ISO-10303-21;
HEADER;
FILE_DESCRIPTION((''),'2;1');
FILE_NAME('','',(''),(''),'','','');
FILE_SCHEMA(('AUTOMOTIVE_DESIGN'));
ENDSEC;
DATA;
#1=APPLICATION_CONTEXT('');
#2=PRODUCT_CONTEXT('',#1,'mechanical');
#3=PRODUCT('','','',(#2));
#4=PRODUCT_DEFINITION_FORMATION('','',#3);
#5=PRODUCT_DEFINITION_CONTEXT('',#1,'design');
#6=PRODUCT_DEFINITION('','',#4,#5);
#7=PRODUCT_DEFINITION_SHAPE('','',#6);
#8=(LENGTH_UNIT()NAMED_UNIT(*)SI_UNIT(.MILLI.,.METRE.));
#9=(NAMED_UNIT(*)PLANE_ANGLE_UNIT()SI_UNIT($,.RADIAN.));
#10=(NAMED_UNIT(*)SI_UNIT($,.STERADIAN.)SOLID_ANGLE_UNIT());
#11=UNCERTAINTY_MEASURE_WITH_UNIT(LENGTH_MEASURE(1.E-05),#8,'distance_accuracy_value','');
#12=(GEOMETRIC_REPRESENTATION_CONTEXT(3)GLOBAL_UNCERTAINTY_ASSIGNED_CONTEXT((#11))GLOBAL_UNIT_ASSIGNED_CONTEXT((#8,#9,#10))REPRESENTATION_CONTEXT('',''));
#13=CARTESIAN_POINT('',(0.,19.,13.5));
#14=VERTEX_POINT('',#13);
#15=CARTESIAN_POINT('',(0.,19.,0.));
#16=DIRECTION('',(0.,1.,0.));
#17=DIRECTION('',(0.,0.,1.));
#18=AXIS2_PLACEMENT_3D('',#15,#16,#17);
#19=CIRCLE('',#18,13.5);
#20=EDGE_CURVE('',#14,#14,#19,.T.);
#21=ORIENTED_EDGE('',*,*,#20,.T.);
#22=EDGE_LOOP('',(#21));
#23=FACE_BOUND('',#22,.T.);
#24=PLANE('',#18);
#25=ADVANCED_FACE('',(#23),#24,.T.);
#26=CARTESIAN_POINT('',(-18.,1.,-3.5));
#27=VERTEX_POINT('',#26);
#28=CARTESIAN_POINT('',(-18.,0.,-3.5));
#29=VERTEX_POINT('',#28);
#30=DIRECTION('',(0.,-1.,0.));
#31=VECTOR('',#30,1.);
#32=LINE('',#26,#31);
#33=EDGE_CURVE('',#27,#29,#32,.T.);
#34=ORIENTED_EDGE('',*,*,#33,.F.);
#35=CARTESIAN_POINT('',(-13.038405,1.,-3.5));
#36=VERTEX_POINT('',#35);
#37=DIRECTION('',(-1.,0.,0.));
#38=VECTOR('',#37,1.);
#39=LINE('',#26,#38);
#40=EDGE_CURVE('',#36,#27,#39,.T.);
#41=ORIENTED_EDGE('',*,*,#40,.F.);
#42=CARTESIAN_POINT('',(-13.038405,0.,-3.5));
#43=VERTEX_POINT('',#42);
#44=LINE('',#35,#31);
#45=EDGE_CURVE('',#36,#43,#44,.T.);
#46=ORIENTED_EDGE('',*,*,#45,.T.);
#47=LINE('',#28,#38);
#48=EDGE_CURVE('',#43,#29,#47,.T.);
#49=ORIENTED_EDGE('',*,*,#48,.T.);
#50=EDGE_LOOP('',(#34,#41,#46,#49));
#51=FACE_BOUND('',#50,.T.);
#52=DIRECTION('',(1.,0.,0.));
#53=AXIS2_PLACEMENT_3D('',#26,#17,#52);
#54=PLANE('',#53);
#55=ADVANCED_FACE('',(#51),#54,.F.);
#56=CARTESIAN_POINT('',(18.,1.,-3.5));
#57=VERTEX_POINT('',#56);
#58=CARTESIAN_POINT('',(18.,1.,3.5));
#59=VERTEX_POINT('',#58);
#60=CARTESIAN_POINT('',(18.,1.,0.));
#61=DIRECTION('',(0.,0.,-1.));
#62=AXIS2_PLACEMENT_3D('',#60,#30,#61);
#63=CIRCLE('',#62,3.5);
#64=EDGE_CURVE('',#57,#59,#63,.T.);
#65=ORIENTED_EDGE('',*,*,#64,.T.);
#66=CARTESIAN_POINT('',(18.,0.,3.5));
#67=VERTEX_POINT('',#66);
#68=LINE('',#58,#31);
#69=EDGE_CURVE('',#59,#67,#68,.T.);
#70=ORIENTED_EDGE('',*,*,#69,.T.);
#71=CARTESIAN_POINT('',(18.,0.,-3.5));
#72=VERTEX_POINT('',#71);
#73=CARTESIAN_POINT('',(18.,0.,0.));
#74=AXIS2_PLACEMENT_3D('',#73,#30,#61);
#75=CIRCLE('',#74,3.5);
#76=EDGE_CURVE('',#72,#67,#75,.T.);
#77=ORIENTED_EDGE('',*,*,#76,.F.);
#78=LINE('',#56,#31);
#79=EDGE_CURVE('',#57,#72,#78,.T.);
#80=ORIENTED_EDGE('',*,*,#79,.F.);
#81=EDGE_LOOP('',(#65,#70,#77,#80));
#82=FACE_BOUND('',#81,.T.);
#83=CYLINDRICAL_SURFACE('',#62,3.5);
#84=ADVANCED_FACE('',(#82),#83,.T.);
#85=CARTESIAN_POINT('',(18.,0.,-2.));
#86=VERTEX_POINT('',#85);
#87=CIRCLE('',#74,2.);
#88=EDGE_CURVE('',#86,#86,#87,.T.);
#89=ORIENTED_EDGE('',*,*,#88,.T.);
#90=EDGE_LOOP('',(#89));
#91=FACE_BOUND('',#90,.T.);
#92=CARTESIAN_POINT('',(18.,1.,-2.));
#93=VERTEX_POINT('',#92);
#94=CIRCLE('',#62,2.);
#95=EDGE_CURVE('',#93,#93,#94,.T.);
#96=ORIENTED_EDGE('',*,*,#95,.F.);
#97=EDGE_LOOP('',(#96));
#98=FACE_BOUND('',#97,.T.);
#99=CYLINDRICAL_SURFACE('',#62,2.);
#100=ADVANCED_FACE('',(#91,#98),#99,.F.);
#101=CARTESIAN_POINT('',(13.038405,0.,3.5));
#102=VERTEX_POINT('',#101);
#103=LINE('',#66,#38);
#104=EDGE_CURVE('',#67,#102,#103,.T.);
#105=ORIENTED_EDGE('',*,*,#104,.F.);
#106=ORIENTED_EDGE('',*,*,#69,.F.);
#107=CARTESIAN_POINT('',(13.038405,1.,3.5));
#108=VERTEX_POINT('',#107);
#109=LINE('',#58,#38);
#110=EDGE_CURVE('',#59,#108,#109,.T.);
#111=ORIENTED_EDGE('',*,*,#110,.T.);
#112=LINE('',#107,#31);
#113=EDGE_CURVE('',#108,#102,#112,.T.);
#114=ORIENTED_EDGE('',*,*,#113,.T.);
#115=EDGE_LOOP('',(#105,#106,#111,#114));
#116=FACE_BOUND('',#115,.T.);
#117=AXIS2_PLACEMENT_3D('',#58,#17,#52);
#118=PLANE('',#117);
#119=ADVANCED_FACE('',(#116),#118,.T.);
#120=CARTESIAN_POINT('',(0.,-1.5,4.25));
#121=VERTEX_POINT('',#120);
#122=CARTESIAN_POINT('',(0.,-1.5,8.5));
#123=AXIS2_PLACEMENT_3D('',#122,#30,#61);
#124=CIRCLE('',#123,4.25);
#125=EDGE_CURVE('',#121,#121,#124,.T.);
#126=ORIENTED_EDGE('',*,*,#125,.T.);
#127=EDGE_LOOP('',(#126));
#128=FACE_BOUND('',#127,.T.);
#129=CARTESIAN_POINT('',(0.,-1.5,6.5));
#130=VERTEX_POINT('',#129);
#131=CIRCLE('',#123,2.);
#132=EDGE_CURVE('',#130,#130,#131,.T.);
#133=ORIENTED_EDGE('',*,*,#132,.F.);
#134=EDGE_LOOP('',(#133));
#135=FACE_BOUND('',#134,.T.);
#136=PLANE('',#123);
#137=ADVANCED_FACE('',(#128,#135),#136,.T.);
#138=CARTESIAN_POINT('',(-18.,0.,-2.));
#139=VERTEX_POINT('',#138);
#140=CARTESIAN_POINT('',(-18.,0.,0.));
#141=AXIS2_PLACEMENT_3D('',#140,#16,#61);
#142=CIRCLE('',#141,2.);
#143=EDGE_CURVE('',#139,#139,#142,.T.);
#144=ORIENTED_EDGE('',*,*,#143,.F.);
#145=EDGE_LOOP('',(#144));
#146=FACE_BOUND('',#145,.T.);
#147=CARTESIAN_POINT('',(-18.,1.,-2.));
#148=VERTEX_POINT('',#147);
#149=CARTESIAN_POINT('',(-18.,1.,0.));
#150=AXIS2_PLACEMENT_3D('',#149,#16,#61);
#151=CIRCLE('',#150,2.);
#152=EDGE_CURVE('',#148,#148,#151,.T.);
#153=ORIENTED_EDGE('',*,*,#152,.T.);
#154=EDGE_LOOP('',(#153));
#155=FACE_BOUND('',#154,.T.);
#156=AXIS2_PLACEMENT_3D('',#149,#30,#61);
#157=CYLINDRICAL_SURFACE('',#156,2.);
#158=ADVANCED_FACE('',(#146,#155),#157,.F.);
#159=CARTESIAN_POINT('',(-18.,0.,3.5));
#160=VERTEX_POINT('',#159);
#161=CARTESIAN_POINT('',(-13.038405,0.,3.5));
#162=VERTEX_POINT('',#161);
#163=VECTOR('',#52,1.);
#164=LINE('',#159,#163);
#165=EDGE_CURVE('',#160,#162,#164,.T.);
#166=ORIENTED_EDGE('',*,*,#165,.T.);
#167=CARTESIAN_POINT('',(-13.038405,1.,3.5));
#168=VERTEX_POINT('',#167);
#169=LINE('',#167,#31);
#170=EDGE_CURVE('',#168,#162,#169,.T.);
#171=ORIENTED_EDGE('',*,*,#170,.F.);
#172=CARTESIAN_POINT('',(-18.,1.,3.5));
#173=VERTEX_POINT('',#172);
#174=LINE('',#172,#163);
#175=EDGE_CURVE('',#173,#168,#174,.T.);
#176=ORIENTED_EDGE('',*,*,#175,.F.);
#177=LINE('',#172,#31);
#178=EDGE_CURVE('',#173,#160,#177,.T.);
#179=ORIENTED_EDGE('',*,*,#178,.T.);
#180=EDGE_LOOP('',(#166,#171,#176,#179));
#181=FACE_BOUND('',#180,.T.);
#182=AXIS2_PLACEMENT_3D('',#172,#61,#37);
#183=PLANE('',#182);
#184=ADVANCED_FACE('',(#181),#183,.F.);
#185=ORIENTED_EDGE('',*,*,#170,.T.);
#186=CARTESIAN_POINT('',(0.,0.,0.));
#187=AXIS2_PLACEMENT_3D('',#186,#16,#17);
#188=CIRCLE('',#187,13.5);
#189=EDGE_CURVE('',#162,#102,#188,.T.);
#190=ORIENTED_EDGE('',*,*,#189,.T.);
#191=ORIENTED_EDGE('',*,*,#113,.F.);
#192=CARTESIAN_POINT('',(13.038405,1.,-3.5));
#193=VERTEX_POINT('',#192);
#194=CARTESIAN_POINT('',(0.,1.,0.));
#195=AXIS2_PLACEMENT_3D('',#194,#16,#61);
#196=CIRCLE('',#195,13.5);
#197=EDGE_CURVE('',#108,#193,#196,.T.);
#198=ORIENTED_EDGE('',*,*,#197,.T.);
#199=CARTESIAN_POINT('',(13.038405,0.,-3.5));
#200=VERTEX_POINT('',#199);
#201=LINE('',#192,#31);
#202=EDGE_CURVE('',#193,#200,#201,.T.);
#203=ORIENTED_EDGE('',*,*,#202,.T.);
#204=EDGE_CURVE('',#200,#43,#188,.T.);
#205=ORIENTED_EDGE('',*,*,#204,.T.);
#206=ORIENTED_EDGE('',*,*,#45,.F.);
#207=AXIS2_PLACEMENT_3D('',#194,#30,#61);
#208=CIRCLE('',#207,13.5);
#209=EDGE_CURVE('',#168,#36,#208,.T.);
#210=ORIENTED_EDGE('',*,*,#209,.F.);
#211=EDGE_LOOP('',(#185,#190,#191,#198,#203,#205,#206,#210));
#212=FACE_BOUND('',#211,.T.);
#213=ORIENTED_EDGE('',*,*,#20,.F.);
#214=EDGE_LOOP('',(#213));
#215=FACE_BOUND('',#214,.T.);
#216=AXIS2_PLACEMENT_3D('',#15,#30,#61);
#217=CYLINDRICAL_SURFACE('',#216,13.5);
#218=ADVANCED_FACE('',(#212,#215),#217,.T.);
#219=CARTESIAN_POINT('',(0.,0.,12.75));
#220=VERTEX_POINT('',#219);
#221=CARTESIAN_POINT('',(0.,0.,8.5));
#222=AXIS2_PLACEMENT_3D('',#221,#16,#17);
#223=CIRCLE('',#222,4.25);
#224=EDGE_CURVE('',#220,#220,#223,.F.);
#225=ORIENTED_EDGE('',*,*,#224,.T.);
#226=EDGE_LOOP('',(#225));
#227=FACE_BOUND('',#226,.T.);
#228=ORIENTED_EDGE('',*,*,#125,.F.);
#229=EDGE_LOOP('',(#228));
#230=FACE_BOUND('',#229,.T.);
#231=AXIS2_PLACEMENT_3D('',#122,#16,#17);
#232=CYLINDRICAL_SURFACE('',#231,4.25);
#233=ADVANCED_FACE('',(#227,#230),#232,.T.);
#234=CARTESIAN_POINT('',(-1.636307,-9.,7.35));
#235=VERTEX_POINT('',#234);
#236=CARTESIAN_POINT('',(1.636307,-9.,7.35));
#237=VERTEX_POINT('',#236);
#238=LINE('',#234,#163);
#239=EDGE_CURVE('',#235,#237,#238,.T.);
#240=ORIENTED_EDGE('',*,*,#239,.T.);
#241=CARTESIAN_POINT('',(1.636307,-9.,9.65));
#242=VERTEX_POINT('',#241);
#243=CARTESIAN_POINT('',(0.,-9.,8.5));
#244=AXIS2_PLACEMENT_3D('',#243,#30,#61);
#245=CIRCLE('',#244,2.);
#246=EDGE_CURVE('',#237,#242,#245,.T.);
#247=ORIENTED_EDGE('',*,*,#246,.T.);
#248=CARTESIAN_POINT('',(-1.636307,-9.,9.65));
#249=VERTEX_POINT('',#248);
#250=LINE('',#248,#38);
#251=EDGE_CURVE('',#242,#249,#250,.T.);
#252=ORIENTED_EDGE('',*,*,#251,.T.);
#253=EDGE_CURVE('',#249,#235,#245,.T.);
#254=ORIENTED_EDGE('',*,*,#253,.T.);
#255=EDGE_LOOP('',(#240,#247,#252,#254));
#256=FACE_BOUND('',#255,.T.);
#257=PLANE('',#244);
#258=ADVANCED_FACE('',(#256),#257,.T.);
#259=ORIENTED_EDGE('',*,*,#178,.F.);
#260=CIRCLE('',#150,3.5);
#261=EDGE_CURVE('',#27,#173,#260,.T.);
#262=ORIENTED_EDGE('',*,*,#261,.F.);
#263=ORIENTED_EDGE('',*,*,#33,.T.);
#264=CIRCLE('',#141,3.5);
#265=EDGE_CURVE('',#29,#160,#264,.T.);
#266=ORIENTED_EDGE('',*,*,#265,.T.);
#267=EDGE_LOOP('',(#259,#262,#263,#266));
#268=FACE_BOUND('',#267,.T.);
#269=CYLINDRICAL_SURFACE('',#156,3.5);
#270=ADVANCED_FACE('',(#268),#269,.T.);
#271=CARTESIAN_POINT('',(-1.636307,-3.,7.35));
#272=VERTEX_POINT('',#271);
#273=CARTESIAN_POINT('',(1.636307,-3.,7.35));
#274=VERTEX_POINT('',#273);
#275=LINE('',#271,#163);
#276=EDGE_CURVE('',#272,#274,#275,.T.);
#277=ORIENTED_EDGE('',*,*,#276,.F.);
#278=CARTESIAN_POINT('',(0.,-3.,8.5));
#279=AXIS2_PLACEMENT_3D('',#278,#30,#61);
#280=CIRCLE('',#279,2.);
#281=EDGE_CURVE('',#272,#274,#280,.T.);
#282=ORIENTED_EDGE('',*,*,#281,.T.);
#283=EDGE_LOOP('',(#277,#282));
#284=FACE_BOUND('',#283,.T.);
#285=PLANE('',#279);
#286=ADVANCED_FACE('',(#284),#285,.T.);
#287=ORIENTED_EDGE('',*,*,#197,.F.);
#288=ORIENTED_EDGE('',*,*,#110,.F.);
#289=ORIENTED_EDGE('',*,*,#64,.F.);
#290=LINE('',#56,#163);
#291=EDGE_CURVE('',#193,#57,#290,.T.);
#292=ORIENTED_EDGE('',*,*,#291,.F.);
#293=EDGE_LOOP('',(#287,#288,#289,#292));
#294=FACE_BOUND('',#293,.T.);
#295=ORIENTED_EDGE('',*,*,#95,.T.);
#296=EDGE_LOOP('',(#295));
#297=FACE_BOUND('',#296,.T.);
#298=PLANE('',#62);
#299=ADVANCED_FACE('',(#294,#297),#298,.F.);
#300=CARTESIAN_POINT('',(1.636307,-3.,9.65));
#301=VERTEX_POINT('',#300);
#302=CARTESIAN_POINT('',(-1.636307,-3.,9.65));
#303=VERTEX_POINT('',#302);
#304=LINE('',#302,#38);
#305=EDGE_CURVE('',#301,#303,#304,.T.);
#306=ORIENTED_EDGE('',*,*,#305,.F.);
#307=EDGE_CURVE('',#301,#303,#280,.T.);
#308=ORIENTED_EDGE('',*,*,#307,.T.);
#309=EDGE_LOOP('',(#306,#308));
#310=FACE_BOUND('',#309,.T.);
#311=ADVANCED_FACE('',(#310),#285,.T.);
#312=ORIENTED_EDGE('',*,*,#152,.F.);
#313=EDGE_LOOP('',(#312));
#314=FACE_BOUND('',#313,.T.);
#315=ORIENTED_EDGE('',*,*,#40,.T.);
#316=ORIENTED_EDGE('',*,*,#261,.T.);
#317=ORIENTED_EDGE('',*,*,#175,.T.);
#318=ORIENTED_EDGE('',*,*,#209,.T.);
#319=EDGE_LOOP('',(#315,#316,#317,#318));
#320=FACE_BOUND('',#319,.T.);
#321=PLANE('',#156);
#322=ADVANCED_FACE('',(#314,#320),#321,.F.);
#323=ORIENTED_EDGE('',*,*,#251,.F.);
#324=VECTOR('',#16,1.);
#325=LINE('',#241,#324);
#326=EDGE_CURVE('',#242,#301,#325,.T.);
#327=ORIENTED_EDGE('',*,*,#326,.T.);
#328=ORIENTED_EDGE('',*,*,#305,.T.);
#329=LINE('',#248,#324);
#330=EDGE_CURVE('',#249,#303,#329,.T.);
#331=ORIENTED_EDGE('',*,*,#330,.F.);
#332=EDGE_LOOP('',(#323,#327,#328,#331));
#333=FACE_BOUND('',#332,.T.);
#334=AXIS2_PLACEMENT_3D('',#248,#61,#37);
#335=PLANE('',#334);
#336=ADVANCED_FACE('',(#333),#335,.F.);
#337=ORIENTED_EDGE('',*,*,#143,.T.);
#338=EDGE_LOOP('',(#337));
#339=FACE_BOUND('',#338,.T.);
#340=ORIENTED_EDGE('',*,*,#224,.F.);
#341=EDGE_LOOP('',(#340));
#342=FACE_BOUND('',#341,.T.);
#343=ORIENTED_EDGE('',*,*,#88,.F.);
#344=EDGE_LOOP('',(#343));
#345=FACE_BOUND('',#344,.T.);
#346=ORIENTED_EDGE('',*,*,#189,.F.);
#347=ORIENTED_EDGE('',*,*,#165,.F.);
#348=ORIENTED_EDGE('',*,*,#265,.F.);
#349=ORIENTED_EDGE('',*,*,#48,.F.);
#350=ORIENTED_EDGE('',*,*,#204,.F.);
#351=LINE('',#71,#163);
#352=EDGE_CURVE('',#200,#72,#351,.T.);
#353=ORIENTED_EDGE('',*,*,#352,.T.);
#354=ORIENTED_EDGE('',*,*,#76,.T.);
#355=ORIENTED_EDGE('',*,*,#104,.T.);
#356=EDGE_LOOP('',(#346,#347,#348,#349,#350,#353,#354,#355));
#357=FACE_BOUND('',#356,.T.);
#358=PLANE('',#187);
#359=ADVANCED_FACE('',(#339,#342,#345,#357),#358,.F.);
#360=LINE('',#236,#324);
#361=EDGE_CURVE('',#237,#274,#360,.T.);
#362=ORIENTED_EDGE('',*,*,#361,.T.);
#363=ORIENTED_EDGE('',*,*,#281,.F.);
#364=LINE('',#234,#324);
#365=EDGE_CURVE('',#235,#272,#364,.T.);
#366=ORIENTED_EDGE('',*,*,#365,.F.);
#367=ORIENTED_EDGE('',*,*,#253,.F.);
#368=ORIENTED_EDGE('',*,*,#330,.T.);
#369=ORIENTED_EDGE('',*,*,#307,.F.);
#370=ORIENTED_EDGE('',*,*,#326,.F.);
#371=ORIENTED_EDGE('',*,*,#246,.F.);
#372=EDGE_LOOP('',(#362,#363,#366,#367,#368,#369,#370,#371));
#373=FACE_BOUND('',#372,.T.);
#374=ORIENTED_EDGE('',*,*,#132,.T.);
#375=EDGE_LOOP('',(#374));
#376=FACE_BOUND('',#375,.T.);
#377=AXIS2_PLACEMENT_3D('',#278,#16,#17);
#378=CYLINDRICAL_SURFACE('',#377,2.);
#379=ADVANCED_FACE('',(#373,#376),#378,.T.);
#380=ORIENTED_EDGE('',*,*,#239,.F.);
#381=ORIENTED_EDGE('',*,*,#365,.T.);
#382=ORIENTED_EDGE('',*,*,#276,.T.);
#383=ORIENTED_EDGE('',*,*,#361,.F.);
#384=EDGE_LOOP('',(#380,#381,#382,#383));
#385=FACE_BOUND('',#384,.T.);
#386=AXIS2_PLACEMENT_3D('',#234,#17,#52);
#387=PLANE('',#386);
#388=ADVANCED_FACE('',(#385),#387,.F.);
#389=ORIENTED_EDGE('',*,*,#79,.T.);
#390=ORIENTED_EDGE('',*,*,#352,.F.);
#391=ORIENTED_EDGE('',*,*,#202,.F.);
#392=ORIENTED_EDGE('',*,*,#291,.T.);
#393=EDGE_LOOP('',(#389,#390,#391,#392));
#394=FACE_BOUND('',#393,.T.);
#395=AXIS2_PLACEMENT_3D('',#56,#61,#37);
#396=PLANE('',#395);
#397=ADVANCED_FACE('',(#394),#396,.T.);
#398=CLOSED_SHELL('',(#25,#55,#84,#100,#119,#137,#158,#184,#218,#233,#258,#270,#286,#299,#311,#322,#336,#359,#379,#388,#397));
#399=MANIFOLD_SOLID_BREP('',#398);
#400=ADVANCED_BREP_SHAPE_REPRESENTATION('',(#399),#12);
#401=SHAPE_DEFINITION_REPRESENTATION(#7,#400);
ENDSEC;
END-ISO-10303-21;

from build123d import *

# Parameters (mm, degrees)
SKETCH1_R           = 13.5
BOSS_EXTRUDE1_DEPTH = 19
SKETCH2_R           = 2
BOSS_EXTRUDE2_DEPTH = 1
SKETCH4_R           = 4.25
BOSS_EXTRUDE3_DEPTH = 1.5
SKETCH5_R           = 2
BOSS_EXTRUDE4_DEPTH = 1.5
BOSS_EXTRUDE5_DEPTH = 6


with BuildPart() as part:
    # Sketch1 → Boss-Extrude1 (new body)
    with BuildSketch(Plane(origin=(0, 0, 0), x_dir=(1, 0, 0), z_dir=(0, 1, 0))):
        Circle(SKETCH1_R)
    extrude(amount=BOSS_EXTRUDE1_DEPTH)

    # Sketch2 → Boss-Extrude2 (add)
    with BuildSketch(Plane.XZ):
        with BuildLine():
            Line((18, 3.5), (13.038405, 3.5))
            ThreePointArc((13.038405, 3.5), (13.5, 0), (13.038405, -3.5))
            Line((13.038405, -3.5), (18, -3.5))
            ThreePointArc((18, -3.5), (21.5, 0), (18, 3.5))
        make_face()
        with Locations((18, 0)):
            Circle(SKETCH2_R, mode=Mode.SUBTRACT)
    boss_extrude2 = extrude(amount=-BOSS_EXTRUDE2_DEPTH)

    # Mirror1: Boss-Extrude2 across plane
    add(boss_extrude2.mirror(Plane(origin=(0, 0, 0), x_dir=(0, 0, 1), z_dir=(1, 0, 0))))

    # Sketch4 → Boss-Extrude3 (add)
    with BuildSketch(Plane.XZ):
        with Locations((0, 8.5)):
            Circle(SKETCH4_R)
    extrude(amount=BOSS_EXTRUDE3_DEPTH)

    # Sketch5 → Boss-Extrude4 (add)
    with BuildSketch(Plane.XZ.offset(1.5)):
        with Locations((0, 8.5)):
            Circle(SKETCH5_R)
    extrude(amount=BOSS_EXTRUDE4_DEPTH)

    # Sketch6 → Boss-Extrude5 (add)
    with BuildSketch(Plane.XZ.offset(3)):
        with BuildLine():
            Line((-1.636307, 9.65), (1.636307, 9.65))
            ThreePointArc((1.636307, 9.65), (2, 8.5), (1.636307, 7.35))
            Line((1.636307, 7.35), (-1.636307, 7.35))
            ThreePointArc((-1.636307, 7.35), (-2, 8.5), (-1.636307, 9.65))
        make_face()
    extrude(amount=BOSS_EXTRUDE5_DEPTH)


solid = part.part
